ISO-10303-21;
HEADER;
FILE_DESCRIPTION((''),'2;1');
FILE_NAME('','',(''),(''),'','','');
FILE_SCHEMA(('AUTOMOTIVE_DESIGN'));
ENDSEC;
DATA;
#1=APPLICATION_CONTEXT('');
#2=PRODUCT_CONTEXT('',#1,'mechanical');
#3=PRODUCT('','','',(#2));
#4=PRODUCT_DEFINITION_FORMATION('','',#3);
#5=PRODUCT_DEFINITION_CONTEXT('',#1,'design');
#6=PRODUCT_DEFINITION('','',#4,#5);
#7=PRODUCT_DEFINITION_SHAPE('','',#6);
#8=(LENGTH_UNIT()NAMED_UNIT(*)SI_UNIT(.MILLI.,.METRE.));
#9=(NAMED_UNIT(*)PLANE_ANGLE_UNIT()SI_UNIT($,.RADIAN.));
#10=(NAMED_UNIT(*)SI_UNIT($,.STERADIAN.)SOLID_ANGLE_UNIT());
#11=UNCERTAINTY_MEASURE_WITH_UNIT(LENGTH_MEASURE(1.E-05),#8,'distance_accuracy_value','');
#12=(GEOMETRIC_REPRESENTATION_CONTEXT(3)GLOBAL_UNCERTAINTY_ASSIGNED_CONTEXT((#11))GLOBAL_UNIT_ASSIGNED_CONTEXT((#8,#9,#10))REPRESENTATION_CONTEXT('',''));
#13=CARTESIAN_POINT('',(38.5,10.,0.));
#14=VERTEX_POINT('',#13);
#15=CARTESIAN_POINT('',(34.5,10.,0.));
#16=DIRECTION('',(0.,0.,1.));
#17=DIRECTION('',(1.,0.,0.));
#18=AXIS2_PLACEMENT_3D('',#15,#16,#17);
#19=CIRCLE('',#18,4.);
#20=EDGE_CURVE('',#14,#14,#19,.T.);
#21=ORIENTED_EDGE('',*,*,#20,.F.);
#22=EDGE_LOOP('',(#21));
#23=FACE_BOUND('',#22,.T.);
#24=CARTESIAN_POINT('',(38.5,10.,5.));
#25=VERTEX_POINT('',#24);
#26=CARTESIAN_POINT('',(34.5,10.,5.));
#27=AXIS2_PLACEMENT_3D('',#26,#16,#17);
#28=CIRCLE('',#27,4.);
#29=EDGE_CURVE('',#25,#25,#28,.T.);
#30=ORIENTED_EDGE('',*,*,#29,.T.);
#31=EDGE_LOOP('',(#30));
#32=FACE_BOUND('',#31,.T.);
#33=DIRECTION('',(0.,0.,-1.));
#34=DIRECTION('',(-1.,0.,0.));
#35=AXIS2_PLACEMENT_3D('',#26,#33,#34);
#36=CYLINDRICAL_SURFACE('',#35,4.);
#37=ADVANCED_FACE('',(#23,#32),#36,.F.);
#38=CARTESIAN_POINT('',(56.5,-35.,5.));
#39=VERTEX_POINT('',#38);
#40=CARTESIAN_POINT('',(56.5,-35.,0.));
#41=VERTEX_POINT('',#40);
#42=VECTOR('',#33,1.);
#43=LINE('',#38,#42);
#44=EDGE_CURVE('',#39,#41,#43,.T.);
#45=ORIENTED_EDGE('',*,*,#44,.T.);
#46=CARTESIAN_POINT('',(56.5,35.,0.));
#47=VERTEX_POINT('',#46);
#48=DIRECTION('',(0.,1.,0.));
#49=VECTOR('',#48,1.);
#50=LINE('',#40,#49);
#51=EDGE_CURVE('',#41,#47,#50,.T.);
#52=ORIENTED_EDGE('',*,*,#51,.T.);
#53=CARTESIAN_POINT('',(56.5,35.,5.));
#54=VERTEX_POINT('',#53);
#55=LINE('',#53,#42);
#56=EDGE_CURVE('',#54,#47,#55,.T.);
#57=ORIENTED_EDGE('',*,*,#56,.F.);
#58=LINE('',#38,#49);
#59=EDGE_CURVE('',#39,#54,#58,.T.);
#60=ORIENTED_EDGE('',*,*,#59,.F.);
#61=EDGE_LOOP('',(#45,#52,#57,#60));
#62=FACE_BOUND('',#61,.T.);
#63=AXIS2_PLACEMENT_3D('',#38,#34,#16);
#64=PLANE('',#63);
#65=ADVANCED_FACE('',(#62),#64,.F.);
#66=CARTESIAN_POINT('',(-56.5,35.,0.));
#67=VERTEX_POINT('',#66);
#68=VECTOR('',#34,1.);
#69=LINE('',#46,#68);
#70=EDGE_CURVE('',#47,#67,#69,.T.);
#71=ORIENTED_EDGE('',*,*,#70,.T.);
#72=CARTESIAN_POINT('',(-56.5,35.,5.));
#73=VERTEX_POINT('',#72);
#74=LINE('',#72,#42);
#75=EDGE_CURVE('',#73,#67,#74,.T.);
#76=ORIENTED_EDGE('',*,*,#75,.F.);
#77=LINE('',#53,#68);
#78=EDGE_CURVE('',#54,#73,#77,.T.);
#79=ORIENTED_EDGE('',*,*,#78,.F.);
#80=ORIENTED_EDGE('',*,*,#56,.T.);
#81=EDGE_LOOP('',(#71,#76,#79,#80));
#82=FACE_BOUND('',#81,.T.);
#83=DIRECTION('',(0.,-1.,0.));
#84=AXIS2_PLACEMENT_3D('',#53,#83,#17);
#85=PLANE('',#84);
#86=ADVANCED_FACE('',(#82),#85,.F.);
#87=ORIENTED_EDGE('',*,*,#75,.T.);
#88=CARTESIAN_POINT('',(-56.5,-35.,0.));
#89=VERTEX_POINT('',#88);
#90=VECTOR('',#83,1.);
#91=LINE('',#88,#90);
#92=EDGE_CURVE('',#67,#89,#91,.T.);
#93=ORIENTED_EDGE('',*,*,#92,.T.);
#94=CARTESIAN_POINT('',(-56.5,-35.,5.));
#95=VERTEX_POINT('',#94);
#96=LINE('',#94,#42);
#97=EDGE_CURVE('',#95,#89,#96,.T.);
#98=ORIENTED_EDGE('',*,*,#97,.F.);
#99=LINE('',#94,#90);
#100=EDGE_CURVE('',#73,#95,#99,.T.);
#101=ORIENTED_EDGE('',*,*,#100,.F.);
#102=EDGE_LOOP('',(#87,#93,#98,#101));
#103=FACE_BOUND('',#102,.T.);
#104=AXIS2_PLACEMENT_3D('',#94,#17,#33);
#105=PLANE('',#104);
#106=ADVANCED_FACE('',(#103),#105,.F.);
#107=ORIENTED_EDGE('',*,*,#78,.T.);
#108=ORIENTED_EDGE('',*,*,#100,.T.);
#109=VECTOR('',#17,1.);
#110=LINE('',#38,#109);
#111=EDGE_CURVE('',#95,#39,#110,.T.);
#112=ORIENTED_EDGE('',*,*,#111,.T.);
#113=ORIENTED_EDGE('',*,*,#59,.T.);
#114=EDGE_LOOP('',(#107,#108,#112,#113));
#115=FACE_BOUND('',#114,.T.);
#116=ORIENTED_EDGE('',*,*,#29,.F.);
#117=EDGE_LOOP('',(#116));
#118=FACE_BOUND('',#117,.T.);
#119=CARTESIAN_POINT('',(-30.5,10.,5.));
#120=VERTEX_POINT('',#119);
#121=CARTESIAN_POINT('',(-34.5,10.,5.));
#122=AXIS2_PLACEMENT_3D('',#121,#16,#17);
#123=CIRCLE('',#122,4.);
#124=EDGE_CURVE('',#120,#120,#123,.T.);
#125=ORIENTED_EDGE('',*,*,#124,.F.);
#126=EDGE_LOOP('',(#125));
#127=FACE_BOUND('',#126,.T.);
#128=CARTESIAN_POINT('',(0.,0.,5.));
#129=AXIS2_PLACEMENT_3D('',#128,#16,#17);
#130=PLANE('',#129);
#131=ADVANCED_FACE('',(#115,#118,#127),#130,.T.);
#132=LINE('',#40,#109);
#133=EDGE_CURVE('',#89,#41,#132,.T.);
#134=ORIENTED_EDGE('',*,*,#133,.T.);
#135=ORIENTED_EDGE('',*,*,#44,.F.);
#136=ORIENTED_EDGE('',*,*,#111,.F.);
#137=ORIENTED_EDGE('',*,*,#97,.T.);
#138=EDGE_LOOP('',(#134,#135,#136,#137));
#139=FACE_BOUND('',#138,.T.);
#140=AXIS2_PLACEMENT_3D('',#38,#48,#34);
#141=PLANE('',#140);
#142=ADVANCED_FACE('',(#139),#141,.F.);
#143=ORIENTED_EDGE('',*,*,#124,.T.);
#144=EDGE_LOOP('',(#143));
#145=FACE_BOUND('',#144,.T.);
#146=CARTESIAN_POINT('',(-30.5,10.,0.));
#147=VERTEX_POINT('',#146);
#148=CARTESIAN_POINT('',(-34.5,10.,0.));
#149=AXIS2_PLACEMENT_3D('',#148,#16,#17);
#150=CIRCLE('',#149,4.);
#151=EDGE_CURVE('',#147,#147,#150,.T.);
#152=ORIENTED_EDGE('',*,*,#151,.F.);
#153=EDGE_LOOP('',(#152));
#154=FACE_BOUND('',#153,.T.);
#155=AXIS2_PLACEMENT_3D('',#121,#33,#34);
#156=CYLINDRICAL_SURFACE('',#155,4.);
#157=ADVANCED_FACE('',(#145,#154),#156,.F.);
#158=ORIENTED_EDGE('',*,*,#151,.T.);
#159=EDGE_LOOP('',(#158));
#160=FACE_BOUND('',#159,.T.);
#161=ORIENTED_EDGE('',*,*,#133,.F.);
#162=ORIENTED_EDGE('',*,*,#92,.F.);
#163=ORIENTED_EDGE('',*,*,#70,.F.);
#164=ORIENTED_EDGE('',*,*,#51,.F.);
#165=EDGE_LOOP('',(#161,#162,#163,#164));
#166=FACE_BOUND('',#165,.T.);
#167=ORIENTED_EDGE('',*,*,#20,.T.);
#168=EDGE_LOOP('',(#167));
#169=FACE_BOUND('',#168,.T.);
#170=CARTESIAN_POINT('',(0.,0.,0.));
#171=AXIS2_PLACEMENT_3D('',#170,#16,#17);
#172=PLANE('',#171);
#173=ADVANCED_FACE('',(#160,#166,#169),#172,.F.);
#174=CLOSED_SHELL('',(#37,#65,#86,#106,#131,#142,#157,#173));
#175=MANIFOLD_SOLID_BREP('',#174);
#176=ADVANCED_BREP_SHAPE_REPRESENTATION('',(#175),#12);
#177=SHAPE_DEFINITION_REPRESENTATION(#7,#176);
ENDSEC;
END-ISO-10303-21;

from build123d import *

# Parameters (mm, degrees)
SKETCH_1_W      = 113
SKETCH_1_H      = 70
SKETCH_1_R      = 4
EXTRUDE_1_DEPTH = 5


with BuildPart() as part:
    # 草图1 → 凸台-拉伸1 (new body)
    with BuildSketch(Plane.XY):
        Rectangle(SKETCH_1_W, SKETCH_1_H)
        with Locations((-34.5, 10)):
            Circle(SKETCH_1_R, mode=Mode.SUBTRACT)
        with Locations((34.5, 10)):
            Circle(SKETCH_1_R, mode=Mode.SUBTRACT)
    extrude(amount=EXTRUDE_1_DEPTH)


solid = part.part
